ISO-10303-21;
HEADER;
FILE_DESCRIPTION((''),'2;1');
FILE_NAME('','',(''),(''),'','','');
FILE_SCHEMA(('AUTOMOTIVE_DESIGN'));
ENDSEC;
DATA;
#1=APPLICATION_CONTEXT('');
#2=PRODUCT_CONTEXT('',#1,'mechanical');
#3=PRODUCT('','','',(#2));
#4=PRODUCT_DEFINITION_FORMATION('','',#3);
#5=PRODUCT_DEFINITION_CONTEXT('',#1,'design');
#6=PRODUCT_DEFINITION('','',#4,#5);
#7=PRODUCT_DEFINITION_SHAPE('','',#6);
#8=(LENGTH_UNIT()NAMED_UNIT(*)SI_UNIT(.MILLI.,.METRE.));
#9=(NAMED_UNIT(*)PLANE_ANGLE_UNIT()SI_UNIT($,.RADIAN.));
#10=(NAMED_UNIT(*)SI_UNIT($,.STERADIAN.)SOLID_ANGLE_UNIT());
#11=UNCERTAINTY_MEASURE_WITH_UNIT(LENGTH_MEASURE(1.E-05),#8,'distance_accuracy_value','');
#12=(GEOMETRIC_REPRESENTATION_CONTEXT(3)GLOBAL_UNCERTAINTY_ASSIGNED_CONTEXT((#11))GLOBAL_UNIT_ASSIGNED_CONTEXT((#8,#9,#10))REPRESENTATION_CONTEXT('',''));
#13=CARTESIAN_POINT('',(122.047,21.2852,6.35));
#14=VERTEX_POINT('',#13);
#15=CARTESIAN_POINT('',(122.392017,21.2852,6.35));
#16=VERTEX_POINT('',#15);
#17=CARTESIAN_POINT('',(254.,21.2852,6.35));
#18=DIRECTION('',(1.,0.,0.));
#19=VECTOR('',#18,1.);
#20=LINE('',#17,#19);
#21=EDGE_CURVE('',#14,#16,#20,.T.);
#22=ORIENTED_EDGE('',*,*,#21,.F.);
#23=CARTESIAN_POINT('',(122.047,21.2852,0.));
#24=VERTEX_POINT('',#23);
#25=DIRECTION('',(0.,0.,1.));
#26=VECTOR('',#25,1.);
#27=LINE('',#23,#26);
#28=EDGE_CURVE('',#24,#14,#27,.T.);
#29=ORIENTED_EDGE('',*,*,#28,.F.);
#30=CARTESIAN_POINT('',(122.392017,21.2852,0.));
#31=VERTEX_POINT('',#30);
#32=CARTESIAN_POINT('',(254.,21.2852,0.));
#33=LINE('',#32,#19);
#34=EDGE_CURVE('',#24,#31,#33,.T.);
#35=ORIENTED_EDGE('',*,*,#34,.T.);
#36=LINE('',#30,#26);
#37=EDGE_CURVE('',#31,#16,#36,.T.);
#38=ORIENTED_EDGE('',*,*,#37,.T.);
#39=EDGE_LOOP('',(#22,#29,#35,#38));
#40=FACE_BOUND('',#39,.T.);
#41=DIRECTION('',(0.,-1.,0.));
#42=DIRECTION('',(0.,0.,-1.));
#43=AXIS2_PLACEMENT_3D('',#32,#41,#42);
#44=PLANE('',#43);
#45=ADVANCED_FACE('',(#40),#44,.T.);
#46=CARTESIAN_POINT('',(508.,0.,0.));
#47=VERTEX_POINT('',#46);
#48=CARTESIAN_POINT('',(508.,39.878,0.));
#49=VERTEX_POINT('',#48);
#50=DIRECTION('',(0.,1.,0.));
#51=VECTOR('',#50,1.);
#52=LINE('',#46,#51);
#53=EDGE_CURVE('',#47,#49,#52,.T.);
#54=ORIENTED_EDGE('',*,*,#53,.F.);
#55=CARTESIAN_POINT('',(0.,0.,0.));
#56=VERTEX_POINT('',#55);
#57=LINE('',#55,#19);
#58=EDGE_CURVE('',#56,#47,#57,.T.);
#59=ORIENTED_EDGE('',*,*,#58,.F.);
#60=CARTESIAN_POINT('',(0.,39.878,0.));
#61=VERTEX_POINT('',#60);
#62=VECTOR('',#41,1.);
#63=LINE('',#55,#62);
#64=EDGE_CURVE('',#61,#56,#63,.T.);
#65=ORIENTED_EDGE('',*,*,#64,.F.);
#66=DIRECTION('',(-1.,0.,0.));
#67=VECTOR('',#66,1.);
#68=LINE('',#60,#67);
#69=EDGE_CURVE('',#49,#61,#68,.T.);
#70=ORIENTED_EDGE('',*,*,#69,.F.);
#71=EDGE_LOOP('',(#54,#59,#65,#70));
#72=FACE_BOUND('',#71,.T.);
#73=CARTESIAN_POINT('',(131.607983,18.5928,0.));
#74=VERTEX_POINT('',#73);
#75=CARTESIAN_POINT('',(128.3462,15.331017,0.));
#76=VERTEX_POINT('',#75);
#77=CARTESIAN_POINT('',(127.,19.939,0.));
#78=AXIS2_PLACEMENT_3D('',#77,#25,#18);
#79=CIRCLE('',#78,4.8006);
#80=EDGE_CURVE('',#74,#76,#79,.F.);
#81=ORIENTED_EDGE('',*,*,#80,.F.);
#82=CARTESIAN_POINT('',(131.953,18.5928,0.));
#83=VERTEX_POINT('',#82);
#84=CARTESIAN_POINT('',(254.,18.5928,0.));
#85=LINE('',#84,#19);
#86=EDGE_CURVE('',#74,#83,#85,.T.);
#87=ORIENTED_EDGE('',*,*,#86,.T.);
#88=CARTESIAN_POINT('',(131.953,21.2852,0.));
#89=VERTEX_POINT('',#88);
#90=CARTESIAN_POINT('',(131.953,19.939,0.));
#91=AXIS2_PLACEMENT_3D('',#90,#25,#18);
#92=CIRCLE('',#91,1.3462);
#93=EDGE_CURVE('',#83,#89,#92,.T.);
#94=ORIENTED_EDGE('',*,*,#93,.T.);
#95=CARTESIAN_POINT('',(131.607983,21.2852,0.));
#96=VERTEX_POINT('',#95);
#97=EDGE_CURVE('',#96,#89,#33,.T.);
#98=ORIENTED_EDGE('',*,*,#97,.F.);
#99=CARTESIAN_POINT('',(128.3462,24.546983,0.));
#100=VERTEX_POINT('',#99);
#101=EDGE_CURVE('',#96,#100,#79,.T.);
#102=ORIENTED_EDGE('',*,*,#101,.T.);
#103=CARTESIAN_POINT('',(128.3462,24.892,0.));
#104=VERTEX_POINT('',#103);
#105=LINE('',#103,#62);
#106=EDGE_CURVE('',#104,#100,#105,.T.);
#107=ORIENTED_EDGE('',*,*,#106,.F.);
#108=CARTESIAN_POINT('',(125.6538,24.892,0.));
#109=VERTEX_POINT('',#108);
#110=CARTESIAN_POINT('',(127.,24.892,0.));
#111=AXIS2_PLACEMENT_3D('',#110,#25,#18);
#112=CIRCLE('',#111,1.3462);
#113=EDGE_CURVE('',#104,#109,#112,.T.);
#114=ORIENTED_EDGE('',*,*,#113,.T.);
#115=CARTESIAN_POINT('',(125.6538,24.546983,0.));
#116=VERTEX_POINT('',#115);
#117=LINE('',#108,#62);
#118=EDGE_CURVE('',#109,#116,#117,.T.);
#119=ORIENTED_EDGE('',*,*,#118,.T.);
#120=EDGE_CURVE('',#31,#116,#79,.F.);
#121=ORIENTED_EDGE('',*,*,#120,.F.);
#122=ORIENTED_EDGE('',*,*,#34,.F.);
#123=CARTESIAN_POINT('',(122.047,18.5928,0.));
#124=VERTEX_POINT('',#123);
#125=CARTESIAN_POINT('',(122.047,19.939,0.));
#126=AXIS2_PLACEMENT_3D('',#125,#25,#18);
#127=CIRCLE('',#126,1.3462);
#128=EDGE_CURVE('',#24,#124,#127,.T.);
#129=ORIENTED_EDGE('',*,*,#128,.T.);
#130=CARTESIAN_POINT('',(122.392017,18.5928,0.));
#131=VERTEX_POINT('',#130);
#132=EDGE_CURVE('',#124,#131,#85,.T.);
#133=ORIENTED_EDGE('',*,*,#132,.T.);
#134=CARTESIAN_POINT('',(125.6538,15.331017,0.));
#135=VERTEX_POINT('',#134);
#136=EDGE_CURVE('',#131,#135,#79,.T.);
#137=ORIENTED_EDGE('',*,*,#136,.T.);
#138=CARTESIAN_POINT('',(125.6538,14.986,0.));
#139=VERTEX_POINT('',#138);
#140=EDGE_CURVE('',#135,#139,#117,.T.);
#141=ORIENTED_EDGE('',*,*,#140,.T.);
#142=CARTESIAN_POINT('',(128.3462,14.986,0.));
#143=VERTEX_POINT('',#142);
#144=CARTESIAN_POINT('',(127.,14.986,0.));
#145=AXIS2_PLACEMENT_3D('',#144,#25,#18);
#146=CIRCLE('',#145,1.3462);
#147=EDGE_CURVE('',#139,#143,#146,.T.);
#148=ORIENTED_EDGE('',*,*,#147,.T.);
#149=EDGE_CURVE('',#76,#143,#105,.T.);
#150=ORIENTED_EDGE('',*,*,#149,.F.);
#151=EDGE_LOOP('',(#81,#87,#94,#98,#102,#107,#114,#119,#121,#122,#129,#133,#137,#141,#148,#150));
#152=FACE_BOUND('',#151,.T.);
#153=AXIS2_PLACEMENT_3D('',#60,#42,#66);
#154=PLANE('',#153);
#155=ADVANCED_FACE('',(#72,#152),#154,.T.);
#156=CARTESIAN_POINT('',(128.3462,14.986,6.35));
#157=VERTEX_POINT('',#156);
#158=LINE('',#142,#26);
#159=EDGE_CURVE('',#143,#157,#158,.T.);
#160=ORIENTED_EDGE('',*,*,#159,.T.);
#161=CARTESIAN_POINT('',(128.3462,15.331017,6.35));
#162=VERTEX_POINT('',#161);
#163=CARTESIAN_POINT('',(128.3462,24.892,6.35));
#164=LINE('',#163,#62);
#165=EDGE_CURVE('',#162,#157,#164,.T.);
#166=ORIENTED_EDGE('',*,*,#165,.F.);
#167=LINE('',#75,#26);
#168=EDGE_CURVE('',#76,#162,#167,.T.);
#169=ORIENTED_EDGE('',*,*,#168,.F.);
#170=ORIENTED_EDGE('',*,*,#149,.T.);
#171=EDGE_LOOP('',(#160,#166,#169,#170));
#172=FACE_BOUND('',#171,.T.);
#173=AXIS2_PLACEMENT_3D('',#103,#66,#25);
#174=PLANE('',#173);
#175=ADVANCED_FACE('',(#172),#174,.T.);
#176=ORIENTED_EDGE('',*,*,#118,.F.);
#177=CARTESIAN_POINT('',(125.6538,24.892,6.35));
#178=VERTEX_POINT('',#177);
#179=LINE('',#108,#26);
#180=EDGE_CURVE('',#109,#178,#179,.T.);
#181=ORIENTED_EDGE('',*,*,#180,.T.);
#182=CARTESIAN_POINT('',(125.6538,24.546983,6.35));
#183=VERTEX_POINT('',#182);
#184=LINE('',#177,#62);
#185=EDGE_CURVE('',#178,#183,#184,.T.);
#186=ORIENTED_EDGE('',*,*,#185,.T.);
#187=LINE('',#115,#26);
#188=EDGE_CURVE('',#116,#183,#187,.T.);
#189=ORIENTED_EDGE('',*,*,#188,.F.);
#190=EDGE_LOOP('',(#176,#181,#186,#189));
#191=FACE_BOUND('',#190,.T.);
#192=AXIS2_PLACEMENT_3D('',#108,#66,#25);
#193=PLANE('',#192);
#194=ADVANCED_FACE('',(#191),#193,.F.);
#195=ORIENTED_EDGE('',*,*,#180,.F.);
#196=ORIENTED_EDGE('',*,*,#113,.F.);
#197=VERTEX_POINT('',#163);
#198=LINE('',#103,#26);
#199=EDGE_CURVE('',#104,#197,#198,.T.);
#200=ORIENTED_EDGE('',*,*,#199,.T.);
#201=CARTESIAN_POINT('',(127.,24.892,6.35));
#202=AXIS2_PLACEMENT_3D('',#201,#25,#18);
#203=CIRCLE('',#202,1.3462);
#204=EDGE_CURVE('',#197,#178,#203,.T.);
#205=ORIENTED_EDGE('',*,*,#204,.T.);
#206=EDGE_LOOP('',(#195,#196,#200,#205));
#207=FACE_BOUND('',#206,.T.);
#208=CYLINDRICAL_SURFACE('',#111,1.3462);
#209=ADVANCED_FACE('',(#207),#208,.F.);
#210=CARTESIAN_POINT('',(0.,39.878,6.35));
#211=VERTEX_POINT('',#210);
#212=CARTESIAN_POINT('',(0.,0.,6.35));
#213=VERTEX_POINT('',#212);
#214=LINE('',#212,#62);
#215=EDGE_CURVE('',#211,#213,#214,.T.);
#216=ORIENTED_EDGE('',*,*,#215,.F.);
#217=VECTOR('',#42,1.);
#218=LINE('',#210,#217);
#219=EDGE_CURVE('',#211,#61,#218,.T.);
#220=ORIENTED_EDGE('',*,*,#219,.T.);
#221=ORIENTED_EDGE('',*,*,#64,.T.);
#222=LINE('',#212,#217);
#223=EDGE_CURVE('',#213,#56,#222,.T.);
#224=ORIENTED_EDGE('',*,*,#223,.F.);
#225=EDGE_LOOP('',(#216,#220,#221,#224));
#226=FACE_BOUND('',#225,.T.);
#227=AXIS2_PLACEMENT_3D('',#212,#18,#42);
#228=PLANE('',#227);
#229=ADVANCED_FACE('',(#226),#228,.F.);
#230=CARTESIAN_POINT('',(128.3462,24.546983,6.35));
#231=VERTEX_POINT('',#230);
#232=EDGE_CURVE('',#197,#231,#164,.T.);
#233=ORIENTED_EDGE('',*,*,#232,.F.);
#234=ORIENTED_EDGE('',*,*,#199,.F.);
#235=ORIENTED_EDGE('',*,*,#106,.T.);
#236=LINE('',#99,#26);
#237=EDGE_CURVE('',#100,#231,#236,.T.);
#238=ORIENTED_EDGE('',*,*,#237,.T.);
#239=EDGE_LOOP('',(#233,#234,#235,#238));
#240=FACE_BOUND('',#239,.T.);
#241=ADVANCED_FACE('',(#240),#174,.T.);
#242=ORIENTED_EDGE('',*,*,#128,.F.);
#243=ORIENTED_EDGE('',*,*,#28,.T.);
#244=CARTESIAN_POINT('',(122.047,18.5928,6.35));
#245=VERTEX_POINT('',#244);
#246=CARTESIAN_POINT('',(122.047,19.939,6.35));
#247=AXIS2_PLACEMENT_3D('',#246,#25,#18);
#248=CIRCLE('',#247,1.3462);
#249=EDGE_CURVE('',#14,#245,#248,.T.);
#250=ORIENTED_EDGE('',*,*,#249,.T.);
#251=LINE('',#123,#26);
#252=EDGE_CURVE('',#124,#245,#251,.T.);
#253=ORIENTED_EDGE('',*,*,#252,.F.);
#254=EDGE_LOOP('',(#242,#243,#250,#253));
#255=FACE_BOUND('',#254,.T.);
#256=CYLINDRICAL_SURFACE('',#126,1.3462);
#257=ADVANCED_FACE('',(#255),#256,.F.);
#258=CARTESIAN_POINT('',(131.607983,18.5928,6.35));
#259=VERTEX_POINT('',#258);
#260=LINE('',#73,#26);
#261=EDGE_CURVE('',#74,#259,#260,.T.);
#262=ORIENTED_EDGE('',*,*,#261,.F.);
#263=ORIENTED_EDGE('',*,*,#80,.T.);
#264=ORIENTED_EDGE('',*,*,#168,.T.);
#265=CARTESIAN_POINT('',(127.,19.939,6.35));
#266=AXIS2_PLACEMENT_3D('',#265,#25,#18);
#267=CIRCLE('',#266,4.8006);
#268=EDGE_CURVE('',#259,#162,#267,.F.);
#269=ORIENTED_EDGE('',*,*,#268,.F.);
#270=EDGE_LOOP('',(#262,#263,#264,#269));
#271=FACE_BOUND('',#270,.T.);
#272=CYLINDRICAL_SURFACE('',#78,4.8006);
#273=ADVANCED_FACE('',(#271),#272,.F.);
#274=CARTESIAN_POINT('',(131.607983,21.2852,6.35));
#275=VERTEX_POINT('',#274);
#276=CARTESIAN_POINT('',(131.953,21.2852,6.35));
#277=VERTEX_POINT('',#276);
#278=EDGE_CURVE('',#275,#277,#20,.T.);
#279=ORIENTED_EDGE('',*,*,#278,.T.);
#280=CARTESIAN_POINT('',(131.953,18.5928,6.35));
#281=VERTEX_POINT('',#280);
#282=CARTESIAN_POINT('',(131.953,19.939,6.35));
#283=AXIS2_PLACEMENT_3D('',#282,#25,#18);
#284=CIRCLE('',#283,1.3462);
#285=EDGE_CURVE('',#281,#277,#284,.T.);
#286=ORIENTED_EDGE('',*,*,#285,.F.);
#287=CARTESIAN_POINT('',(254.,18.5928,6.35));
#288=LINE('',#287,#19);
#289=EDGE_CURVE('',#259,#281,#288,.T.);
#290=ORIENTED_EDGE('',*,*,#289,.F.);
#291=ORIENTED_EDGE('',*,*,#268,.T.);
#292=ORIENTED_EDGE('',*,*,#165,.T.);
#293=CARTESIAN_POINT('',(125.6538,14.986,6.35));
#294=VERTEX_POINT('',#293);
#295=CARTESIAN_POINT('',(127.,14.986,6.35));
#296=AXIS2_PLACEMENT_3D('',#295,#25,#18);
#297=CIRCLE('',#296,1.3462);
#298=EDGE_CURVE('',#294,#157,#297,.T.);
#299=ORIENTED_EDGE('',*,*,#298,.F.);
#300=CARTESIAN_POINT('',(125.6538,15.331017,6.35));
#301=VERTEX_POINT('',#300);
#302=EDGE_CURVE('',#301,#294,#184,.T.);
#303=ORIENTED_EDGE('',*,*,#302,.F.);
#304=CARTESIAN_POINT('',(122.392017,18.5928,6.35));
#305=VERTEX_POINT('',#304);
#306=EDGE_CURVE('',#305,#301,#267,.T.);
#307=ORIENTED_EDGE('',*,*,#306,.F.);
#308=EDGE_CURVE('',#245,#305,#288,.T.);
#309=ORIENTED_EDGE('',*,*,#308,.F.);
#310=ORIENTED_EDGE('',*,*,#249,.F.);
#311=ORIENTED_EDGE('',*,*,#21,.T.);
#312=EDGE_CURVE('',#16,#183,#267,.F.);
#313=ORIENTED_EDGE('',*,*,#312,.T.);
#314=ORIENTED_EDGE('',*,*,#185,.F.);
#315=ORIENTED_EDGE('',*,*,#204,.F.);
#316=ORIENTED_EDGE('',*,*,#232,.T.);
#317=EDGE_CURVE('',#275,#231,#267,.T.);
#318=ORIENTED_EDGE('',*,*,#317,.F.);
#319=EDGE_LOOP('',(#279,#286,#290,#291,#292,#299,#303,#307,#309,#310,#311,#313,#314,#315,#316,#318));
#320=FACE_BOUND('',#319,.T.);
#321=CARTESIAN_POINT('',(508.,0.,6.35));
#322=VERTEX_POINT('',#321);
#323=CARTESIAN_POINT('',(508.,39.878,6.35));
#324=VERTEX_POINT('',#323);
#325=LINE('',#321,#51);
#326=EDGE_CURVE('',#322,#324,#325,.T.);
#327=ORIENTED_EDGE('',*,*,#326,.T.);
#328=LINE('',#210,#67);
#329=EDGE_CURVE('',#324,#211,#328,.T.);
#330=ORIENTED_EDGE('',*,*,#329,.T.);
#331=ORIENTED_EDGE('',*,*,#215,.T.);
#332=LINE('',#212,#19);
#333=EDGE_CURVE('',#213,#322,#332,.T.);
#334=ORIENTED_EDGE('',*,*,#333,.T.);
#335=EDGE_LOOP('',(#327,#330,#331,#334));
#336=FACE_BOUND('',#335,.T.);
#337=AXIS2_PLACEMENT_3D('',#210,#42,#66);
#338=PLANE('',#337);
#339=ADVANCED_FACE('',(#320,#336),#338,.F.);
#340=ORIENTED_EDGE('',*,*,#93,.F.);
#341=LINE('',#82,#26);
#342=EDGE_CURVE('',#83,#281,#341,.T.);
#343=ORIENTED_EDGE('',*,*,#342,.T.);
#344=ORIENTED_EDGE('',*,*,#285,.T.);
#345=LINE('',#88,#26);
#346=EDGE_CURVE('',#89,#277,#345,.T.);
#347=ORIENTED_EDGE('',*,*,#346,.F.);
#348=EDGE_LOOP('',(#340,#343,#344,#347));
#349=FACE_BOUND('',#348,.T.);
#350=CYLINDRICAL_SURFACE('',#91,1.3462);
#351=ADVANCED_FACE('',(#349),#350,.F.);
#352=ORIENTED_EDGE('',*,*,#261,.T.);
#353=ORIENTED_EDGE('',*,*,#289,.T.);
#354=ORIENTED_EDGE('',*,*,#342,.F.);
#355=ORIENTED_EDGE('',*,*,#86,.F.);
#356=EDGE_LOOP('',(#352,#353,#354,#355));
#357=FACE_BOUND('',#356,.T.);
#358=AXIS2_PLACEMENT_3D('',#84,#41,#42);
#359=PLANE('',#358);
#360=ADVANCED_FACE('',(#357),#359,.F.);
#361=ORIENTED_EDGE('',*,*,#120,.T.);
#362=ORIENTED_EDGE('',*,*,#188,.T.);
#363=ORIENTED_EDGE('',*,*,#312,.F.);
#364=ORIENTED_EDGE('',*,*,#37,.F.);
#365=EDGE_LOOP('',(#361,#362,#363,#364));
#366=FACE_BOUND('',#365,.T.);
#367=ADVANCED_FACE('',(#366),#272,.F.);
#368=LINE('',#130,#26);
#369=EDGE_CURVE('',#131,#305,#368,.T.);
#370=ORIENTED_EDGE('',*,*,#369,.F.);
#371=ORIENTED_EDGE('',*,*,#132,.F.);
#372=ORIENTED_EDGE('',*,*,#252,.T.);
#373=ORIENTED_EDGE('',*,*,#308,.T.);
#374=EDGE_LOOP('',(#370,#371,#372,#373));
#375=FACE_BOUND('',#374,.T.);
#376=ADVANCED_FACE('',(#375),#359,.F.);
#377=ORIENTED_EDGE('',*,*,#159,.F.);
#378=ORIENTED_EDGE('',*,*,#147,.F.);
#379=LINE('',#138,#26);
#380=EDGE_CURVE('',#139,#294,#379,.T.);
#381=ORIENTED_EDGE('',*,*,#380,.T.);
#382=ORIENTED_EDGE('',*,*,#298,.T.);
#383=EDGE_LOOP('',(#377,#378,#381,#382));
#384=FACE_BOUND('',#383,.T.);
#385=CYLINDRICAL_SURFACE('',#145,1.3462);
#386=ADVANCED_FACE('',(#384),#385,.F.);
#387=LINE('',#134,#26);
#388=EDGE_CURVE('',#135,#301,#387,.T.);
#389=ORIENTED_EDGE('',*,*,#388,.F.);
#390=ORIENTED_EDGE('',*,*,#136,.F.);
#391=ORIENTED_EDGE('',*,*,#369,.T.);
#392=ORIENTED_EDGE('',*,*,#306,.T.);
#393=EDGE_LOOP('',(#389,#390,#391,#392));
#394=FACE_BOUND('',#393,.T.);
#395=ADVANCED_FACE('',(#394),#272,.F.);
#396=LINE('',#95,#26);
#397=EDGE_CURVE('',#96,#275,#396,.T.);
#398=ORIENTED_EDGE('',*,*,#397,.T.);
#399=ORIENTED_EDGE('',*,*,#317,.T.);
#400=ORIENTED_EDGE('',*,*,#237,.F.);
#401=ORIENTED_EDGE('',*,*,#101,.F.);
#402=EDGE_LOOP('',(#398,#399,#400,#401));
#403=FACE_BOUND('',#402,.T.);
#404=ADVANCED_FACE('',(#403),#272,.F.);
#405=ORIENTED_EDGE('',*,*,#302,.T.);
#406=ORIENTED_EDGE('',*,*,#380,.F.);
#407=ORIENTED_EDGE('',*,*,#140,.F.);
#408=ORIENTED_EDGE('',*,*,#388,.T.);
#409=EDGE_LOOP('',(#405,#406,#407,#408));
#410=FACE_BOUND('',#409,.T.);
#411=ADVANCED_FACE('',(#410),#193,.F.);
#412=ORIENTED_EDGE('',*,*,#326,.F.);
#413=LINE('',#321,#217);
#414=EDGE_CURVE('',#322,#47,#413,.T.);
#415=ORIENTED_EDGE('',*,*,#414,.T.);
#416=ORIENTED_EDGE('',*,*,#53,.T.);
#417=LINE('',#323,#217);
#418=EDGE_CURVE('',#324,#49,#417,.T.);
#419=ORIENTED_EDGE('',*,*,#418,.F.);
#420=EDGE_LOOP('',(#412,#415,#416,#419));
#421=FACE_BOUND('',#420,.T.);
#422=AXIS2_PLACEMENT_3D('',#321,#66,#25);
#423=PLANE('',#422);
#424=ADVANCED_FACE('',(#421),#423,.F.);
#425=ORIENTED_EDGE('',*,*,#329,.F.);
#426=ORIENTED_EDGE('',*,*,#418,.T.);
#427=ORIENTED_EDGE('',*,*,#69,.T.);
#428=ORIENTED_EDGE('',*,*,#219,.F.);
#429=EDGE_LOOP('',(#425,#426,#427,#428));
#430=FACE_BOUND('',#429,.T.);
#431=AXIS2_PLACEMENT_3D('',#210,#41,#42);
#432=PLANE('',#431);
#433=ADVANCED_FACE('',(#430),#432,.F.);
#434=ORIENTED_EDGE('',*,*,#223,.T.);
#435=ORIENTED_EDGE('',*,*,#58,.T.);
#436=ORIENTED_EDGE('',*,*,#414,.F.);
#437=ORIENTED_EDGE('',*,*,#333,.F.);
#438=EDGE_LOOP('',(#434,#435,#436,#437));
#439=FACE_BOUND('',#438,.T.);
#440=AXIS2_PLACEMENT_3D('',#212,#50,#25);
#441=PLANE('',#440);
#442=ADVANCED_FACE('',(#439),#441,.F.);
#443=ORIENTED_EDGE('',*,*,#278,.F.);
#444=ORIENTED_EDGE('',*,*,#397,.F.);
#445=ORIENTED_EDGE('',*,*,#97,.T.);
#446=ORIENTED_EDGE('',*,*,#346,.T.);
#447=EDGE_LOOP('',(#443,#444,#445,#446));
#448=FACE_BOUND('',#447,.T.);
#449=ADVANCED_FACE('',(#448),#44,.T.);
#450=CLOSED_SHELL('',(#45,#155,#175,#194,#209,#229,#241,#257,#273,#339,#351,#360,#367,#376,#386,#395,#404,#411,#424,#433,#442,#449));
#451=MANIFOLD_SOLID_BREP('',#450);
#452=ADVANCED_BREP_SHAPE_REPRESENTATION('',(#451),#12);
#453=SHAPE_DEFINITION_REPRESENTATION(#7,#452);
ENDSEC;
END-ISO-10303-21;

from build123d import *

# Parameters (mm, degrees)
SKETCH1_W           = 508
SKETCH1_H           = 39.878
BOSS_EXTRUDE1_DEPTH = 6.35
CUT_EXTRUDE3_DEPTH  = 7.35


with BuildPart() as part:
    # Sketch1 → Boss-Extrude1 (new body)
    with BuildSketch(Plane.XY):
        with Locations((254, 19.939)):
            Rectangle(SKETCH1_W, SKETCH1_H)
    extrude(amount=BOSS_EXTRUDE1_DEPTH)

    # Sketch2 → Cut-Extrude3 (cut, through all)
    with BuildSketch(Plane.XY.offset(6.35)):
        with BuildLine():
            ThreePointArc((128.3462, 24.892), (127, 26.2382), (125.6538, 24.892))
            Line((125.6538, 24.892), (125.6538, 24.546982847))
            ThreePointArc((125.6538, 24.546982847), (123.605463186, 23.333536814), (122.392017153, 21.2852))
            Line((122.392017153, 21.2852), (122.047, 21.2852))
            ThreePointArc((122.047, 21.2852), (120.7008, 19.939), (122.047, 18.5928))
            Line((122.047, 18.5928), (122.392017153, 18.5928))
            ThreePointArc((122.392017153, 18.5928), (123.605463186, 16.544463186), (125.6538, 15.331017153))
            Line((125.6538, 15.331017153), (125.6538, 14.986))
            ThreePointArc((125.6538, 14.986), (127, 13.6398), (128.3462, 14.986))
            Line((128.3462, 14.986), (128.3462, 15.331017153))
            ThreePointArc((128.3462, 15.331017153), (130.394536814, 16.544463186), (131.607982847, 18.5928))
            Line((131.607982847, 18.5928), (131.953, 18.5928))
            ThreePointArc((131.953, 18.5928), (133.2992, 19.939), (131.953, 21.2852))
            Line((131.953, 21.2852), (131.607982847, 21.2852))
            ThreePointArc((131.607982847, 21.2852), (130.394536814, 23.333536814), (128.3462, 24.546982847))
            Line((128.3462, 24.546982847), (128.3462, 24.892))
        make_face()
    extrude(amount=-CUT_EXTRUDE3_DEPTH, mode=Mode.SUBTRACT)


solid = part.part
